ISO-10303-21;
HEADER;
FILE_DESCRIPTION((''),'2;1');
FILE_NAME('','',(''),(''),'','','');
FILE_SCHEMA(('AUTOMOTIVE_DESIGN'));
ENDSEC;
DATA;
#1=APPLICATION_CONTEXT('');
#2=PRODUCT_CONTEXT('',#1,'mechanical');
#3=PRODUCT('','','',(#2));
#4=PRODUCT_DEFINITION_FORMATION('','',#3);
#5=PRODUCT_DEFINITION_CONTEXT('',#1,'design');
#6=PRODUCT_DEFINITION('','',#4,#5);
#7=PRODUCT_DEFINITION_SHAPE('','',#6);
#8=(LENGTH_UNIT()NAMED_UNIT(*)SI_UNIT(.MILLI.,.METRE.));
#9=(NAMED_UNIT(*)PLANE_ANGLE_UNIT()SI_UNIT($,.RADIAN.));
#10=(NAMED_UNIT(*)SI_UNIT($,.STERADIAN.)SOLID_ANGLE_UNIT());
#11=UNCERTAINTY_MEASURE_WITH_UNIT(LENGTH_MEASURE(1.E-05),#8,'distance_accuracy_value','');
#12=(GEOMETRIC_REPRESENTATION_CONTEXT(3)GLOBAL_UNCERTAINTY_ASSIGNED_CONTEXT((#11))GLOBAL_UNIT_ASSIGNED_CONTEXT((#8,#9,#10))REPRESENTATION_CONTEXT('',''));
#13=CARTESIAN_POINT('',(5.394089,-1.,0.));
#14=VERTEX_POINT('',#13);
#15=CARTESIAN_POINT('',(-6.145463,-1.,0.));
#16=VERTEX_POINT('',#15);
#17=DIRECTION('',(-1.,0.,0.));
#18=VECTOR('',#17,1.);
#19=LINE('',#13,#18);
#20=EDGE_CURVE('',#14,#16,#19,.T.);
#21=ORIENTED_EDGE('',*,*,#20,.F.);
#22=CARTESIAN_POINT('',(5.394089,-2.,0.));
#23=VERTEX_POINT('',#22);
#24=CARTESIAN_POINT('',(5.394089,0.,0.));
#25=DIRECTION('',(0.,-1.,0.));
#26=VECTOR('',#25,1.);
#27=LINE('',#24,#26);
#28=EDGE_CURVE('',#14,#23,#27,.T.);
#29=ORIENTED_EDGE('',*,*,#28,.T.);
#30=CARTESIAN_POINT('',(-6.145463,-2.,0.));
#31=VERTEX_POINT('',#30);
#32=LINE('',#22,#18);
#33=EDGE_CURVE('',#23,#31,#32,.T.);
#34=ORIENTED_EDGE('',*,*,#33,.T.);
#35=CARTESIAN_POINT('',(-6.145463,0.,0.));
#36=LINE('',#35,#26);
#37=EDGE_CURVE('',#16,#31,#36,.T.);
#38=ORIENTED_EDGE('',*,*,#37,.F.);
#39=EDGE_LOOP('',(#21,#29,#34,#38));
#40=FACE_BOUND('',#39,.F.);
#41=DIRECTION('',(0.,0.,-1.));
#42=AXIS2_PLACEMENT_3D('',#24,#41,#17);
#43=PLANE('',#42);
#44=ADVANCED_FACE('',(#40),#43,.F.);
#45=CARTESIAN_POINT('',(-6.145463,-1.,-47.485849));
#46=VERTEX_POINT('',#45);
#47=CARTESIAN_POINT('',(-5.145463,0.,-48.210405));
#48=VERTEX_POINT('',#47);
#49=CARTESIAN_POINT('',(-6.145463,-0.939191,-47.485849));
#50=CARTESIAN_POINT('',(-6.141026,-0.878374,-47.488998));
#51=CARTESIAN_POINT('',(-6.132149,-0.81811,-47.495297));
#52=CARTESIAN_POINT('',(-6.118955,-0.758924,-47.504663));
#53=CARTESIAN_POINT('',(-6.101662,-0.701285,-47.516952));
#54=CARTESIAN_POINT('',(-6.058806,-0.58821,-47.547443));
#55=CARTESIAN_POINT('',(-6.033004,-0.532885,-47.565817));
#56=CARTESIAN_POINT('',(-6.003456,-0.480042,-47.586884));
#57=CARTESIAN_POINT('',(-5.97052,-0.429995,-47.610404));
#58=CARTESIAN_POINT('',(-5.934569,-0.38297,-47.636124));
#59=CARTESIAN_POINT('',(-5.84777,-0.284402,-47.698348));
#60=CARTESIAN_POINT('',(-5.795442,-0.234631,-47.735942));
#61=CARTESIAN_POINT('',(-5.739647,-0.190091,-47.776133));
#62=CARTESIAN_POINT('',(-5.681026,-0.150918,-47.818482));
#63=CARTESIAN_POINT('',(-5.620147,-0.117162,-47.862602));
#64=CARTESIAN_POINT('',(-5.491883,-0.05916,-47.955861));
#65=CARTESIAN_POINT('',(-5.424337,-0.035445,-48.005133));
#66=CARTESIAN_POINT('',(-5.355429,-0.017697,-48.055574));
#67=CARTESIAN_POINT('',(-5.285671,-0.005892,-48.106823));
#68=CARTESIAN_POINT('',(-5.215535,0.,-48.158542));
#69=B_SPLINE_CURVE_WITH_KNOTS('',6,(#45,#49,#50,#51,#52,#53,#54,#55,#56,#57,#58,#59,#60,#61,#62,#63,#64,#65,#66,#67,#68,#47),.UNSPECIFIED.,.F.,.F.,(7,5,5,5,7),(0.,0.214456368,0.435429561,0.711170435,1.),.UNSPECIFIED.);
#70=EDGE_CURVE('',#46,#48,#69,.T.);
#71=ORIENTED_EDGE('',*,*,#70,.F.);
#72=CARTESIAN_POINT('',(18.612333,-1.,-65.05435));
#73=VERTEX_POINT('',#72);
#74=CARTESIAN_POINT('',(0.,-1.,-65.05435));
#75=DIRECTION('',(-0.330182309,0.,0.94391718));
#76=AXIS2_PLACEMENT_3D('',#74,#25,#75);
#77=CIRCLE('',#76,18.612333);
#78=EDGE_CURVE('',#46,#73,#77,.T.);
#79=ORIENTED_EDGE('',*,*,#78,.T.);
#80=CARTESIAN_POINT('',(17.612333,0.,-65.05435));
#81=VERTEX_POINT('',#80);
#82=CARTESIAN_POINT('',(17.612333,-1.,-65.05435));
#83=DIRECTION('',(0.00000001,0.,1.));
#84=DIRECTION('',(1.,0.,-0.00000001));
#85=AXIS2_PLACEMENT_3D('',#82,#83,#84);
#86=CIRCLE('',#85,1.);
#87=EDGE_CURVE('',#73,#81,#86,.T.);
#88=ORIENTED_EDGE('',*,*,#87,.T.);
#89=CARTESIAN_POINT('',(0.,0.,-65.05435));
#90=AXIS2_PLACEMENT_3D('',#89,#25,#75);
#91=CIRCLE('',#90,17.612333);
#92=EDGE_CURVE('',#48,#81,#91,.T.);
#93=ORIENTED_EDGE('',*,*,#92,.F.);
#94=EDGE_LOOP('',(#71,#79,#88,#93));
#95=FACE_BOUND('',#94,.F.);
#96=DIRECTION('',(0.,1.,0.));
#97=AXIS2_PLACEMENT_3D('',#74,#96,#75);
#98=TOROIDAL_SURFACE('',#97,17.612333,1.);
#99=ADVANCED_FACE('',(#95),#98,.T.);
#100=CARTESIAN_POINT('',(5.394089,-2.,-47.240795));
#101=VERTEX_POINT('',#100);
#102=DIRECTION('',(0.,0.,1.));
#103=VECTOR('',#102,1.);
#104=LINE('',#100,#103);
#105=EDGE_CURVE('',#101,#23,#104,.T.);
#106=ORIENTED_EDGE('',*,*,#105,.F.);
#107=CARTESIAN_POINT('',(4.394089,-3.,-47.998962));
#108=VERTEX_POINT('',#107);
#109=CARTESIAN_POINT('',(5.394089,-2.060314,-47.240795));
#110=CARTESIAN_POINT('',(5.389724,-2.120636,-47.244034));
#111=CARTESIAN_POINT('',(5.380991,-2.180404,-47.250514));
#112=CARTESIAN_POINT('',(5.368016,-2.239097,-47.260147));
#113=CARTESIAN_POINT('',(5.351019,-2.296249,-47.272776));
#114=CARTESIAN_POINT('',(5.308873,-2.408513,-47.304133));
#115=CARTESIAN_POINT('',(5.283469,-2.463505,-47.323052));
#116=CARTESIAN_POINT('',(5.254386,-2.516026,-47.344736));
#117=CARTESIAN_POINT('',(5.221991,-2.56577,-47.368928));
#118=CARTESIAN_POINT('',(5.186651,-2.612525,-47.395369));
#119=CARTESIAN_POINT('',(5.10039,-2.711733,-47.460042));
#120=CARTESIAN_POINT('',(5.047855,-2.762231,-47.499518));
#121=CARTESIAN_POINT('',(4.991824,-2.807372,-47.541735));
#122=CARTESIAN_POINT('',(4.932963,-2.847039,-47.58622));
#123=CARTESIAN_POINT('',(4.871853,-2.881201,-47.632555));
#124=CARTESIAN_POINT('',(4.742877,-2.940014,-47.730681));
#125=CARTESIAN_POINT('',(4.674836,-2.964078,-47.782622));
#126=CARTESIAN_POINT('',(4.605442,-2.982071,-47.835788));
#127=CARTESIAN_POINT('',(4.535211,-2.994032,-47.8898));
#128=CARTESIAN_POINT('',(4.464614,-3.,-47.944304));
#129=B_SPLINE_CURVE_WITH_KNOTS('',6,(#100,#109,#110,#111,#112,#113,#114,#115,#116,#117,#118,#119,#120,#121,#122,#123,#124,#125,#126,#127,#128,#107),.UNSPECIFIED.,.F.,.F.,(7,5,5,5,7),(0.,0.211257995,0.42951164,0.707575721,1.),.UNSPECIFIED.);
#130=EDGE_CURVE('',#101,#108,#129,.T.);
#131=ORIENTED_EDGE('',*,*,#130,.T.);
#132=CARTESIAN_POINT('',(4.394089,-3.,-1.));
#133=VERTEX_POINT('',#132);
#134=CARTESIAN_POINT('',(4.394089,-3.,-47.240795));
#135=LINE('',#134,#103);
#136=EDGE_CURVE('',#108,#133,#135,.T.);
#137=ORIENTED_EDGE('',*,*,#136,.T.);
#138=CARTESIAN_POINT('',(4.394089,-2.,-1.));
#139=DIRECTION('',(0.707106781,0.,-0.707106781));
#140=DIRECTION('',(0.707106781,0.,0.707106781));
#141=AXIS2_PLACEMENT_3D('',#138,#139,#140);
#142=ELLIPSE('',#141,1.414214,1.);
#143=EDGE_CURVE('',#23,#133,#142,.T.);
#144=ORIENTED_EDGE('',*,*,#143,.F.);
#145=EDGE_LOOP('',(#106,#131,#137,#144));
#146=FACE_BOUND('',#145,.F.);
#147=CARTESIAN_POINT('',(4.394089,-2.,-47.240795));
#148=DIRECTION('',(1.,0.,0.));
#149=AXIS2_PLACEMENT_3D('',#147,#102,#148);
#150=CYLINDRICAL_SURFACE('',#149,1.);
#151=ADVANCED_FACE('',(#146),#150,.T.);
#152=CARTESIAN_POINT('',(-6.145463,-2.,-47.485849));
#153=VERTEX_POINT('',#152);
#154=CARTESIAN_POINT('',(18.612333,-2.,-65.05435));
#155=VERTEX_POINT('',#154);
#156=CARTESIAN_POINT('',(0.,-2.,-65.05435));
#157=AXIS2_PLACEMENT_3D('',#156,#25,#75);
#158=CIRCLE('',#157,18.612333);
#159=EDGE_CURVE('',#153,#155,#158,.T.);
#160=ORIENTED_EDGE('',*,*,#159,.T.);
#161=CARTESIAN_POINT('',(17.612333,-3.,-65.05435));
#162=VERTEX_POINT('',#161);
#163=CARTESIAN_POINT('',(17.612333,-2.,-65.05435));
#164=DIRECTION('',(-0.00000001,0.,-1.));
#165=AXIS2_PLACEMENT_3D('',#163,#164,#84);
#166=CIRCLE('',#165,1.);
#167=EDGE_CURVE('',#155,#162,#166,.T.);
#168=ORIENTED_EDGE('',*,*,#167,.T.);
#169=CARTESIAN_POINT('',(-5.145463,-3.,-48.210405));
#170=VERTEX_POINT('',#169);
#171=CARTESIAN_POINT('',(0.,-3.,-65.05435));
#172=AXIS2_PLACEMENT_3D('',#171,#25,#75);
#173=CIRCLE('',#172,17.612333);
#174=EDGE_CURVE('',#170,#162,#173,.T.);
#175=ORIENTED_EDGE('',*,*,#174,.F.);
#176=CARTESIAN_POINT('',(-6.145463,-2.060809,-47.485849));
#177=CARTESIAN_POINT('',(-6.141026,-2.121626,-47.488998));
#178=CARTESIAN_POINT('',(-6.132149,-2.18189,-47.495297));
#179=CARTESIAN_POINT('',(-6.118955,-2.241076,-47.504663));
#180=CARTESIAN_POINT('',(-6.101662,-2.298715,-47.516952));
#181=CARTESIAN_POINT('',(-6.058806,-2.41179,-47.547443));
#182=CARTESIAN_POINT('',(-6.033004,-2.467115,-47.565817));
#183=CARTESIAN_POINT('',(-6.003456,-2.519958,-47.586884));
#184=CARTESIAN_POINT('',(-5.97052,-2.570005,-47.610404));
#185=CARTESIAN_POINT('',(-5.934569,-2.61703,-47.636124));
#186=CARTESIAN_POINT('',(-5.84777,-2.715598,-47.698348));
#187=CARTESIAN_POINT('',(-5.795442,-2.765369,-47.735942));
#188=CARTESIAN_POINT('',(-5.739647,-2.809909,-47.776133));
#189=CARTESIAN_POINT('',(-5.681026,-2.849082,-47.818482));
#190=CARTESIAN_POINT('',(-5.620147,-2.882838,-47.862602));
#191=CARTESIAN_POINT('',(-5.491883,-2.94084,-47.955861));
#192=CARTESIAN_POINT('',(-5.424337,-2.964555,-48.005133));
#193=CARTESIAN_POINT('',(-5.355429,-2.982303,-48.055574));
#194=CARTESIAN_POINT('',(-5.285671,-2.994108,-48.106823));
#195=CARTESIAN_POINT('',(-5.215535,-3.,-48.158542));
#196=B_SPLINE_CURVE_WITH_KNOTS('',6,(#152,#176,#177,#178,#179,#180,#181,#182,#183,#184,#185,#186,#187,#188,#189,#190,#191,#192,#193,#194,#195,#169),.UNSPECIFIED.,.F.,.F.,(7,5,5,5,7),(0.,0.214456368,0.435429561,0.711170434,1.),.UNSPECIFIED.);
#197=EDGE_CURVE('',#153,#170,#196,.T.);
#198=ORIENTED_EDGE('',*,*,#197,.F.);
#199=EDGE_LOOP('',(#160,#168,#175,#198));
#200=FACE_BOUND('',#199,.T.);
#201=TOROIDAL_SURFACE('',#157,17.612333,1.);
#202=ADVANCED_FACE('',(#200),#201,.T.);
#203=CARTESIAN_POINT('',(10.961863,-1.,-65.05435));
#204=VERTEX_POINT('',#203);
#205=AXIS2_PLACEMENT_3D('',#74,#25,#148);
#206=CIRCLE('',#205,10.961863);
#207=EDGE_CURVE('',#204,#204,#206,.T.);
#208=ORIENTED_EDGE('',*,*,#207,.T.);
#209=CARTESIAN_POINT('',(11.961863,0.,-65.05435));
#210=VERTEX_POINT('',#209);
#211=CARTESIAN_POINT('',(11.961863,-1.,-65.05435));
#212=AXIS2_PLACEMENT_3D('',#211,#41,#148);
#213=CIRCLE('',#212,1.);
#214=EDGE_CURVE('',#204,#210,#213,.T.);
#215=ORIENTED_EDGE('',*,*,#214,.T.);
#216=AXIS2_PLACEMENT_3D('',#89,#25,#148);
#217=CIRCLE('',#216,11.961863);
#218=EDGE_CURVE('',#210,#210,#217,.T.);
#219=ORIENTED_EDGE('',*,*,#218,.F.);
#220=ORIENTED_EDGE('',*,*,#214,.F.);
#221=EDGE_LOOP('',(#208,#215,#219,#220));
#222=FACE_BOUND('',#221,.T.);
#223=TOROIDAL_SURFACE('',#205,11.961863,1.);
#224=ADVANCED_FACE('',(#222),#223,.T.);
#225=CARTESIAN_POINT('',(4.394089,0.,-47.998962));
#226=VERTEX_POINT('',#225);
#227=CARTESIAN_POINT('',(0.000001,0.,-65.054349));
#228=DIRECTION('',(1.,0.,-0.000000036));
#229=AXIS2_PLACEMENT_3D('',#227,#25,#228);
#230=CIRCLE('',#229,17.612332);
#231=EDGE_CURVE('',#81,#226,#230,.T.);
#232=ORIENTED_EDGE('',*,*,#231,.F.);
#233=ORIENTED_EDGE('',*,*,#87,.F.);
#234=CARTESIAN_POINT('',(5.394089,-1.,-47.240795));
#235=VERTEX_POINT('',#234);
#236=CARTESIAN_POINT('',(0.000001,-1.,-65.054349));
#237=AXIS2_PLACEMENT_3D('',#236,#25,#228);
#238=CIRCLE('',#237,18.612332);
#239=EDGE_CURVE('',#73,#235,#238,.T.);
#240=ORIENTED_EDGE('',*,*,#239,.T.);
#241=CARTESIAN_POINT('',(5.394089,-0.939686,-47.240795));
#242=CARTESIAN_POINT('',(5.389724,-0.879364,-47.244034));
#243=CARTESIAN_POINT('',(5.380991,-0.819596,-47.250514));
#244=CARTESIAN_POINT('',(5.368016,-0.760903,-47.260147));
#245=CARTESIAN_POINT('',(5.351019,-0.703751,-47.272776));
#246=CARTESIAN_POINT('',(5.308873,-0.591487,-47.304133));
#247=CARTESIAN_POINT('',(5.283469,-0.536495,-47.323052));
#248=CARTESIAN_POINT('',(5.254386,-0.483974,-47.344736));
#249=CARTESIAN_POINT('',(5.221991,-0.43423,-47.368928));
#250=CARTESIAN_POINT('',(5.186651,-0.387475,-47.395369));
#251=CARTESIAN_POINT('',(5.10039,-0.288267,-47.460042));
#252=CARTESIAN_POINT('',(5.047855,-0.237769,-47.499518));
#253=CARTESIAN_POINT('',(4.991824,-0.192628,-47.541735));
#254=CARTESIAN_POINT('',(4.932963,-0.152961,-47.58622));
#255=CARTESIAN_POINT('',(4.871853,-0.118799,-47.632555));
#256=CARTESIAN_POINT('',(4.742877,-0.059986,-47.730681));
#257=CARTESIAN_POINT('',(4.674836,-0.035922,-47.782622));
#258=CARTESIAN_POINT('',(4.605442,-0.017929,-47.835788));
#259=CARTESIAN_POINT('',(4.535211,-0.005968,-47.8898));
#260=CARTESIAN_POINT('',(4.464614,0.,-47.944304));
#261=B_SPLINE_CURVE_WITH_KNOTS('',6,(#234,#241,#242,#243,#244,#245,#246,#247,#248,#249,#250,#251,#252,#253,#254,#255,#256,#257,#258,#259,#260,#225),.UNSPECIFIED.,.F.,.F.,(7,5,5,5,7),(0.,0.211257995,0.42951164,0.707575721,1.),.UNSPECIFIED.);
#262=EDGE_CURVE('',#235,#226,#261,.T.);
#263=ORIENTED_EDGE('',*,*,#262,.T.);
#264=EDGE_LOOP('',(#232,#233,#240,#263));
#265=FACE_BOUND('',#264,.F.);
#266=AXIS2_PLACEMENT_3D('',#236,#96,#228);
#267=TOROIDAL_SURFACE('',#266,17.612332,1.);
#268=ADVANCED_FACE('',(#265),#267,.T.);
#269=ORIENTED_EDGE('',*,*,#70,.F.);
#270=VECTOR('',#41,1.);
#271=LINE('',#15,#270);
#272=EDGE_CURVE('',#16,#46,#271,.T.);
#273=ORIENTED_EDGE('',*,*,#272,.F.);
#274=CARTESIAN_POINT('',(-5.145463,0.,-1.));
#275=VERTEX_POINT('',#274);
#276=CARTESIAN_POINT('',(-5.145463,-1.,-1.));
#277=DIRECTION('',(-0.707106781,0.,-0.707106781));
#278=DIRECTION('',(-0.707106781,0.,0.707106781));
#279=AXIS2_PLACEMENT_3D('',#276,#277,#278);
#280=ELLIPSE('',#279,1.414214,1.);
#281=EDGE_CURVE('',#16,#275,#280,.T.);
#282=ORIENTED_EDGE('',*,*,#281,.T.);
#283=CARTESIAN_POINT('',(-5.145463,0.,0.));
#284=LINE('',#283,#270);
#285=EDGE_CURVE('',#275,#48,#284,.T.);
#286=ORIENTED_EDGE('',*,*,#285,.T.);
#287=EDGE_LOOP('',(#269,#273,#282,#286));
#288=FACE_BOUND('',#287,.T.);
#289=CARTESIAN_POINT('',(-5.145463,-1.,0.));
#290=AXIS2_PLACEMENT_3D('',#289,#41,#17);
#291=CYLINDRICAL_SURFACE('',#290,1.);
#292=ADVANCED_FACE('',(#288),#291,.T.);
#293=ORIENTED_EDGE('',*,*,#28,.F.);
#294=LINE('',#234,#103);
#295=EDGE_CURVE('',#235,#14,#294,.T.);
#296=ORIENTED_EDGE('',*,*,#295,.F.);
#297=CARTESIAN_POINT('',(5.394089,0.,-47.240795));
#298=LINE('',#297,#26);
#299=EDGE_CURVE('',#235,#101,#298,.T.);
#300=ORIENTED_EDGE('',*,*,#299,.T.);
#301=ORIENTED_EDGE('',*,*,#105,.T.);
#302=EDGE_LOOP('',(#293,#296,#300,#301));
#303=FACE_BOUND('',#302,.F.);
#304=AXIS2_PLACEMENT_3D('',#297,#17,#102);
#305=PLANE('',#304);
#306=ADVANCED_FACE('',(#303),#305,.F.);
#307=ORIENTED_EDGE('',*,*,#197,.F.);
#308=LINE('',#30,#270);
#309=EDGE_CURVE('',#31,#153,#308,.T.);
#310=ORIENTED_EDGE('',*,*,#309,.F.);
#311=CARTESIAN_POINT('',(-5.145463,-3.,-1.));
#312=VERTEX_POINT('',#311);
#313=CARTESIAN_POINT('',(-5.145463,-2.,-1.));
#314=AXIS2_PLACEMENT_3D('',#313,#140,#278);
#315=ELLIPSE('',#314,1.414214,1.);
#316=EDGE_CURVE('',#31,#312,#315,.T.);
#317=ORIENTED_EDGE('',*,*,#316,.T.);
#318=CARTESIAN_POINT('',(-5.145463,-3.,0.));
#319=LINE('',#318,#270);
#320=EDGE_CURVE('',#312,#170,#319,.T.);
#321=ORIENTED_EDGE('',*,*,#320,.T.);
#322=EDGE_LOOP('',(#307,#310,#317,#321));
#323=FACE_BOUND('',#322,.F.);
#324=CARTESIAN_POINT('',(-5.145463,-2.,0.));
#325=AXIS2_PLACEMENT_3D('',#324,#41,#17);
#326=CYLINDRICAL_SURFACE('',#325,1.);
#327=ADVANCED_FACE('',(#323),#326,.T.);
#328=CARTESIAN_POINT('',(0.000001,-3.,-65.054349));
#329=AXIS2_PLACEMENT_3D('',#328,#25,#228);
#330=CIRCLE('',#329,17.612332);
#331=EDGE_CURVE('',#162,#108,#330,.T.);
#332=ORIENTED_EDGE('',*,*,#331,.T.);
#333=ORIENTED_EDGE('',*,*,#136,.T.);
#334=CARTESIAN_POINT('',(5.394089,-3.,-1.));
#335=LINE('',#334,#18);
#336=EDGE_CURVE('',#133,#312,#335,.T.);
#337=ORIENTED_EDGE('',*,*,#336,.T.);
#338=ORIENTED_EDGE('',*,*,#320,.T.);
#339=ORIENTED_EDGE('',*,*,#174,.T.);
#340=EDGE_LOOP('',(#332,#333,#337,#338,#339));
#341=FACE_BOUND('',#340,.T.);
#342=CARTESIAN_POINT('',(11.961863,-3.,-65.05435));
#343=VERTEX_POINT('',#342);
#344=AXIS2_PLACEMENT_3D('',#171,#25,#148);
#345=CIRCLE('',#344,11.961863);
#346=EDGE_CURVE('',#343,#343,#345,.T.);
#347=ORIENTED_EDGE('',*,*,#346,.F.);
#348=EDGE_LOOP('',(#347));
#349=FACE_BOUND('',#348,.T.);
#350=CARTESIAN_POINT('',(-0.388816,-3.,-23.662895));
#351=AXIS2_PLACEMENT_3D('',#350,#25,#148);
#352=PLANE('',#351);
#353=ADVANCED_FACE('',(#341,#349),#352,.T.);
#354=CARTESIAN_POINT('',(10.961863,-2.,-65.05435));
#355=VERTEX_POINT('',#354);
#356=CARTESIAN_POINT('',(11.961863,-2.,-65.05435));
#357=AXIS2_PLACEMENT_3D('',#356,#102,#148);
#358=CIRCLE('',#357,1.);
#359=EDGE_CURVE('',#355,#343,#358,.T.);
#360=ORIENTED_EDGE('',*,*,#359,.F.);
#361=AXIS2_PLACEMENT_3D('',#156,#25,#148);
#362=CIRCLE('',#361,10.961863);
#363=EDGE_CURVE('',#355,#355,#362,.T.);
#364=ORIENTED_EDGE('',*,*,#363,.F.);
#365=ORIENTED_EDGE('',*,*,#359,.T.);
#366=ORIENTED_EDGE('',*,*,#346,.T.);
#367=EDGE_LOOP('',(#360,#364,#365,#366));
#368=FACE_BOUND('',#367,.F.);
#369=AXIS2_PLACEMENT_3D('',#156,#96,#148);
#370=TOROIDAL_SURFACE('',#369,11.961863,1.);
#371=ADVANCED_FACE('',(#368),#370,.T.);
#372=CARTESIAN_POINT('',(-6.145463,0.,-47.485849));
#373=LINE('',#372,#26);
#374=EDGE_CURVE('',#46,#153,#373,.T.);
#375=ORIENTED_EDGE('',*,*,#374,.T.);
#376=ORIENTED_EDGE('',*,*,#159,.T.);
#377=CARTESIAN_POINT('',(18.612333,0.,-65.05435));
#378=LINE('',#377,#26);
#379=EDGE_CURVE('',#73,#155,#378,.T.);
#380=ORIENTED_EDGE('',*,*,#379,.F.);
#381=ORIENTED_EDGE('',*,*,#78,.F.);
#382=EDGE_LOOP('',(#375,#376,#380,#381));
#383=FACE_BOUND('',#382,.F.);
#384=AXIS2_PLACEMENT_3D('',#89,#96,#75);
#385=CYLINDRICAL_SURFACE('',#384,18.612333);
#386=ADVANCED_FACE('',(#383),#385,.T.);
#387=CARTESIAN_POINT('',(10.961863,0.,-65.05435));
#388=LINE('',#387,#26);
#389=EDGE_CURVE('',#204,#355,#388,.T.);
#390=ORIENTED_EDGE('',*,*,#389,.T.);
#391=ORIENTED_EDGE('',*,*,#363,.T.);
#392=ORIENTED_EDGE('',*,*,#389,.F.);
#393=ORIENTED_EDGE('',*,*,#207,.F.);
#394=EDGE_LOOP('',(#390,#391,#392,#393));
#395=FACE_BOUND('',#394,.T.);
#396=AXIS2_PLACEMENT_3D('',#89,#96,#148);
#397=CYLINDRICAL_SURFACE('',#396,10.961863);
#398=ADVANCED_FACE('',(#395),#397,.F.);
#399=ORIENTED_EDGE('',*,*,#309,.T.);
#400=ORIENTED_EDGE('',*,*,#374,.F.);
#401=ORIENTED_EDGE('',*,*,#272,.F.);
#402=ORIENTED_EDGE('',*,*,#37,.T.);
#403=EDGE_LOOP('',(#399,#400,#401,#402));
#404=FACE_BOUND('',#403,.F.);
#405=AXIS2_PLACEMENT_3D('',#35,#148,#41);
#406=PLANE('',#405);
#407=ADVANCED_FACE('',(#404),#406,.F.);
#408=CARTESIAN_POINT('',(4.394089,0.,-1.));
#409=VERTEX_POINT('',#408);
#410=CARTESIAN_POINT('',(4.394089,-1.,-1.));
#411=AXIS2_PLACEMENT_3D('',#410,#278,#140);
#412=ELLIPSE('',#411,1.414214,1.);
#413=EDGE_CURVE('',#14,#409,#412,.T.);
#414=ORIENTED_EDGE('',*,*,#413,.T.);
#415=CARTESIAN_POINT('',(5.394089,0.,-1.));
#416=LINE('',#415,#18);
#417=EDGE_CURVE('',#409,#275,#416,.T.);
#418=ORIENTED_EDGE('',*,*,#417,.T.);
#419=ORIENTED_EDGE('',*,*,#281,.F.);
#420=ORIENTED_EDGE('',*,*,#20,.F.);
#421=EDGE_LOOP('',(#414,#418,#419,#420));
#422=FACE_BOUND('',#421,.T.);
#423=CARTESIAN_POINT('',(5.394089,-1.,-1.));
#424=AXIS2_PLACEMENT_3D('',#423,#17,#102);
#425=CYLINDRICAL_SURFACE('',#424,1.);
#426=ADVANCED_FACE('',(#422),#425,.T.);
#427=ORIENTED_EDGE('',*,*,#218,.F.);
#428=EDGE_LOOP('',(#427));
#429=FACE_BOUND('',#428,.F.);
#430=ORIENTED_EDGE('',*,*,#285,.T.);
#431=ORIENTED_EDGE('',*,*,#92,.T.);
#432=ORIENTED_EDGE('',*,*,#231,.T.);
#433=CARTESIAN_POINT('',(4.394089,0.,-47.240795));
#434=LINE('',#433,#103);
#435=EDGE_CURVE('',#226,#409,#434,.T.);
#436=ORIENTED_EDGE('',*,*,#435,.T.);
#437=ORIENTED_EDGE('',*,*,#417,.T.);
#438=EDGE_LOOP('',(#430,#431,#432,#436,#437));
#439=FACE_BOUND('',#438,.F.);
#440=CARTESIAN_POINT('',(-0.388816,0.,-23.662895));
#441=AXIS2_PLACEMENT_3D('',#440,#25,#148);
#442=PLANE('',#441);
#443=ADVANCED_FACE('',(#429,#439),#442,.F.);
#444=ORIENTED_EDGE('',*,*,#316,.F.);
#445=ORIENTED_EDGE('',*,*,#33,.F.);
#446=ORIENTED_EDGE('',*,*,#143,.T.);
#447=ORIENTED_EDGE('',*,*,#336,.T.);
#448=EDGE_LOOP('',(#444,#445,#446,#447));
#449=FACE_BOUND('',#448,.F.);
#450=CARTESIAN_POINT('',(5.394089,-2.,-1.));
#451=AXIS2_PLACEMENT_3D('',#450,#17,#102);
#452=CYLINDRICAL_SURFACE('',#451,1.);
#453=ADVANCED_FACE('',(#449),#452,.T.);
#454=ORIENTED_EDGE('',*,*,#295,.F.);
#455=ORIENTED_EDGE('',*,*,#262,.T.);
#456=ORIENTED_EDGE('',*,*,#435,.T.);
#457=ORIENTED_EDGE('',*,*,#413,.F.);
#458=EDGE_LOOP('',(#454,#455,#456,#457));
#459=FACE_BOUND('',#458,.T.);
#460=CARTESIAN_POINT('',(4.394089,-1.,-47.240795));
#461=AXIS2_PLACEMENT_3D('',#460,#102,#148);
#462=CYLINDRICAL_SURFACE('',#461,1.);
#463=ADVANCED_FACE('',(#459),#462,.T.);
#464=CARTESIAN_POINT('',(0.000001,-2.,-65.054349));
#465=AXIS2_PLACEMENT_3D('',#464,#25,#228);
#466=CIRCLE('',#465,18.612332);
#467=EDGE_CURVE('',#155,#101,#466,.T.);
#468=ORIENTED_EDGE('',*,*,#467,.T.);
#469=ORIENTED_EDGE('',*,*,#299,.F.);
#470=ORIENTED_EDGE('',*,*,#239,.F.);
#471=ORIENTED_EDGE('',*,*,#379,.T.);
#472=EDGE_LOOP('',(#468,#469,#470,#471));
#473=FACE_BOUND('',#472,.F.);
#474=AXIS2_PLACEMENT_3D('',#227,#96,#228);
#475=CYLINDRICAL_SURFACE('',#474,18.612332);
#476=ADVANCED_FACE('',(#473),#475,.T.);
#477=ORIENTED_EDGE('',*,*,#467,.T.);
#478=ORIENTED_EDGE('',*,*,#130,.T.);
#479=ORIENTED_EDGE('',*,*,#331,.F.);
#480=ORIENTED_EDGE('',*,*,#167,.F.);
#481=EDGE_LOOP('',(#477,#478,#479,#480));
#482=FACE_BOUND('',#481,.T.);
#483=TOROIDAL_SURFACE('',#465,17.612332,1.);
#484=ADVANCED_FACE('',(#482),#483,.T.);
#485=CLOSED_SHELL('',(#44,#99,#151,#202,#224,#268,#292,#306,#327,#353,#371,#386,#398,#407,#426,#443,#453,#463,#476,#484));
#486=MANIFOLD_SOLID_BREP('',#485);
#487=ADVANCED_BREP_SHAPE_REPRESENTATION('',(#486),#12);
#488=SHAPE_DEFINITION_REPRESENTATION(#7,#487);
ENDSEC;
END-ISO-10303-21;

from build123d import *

# Parameters (mm, degrees)
F0_R     = 10.961863
F1_DEPTH = 3
F2_R     = 1


with BuildPart() as f1:
    # F0 (on Front) → F1 (new body)
    with BuildSketch(Plane.XZ):
        with BuildLine():
            ThreePointArc((-6.145463, -47.485849), (-0.395163, -46.446212), (5.394089, -47.240795))
            Line((5.394089, -47.240795), (5.394089, 0))
            Line((5.394089, 0), (-6.145463, 0))
            Line((-6.145463, 0), (-6.145463, -47.485849))
        make_face()
        with BuildLine():
            ThreePointArc((-6.145463, -47.485849), (-10.771201, -80.233288), (18.612333, -65.05435))
            ThreePointArc((18.612333, -65.05435), (14.946831, -53.963309), (5.394089, -47.240795))
            ThreePointArc((5.394089, -47.240795), (-0.395163, -46.446212), (-6.145463, -47.485849))
        make_face()
        with Locations((0, -65.05435)):
            Circle(F0_R, mode=Mode.SUBTRACT)
    extrude(amount=F1_DEPTH)

    # F2
    f2_edges = [f1.edges().sort_by_distance(p)[0] for p in [
        (-10.771201, -3, -80.233288),
        (14.946831, -3, -53.963309),
        (5.394089, -3, -23.620397),
        (-0.375687, -3, 0),
        (-6.145463, -3, -23.742925),
        (-10.961863, -3, -65.05435),
        (14.946831, 0, -53.963309),
        (5.394089, 0, -23.620397),
        (-0.375687, 0, 0),
        (-6.145463, 0, -23.742925),
        (-10.771201, 0, -80.233288),
        (-10.961863, 0, -65.05435),
    ]]
    fillet(f2_edges, radius=F2_R)


solid = f1.part
